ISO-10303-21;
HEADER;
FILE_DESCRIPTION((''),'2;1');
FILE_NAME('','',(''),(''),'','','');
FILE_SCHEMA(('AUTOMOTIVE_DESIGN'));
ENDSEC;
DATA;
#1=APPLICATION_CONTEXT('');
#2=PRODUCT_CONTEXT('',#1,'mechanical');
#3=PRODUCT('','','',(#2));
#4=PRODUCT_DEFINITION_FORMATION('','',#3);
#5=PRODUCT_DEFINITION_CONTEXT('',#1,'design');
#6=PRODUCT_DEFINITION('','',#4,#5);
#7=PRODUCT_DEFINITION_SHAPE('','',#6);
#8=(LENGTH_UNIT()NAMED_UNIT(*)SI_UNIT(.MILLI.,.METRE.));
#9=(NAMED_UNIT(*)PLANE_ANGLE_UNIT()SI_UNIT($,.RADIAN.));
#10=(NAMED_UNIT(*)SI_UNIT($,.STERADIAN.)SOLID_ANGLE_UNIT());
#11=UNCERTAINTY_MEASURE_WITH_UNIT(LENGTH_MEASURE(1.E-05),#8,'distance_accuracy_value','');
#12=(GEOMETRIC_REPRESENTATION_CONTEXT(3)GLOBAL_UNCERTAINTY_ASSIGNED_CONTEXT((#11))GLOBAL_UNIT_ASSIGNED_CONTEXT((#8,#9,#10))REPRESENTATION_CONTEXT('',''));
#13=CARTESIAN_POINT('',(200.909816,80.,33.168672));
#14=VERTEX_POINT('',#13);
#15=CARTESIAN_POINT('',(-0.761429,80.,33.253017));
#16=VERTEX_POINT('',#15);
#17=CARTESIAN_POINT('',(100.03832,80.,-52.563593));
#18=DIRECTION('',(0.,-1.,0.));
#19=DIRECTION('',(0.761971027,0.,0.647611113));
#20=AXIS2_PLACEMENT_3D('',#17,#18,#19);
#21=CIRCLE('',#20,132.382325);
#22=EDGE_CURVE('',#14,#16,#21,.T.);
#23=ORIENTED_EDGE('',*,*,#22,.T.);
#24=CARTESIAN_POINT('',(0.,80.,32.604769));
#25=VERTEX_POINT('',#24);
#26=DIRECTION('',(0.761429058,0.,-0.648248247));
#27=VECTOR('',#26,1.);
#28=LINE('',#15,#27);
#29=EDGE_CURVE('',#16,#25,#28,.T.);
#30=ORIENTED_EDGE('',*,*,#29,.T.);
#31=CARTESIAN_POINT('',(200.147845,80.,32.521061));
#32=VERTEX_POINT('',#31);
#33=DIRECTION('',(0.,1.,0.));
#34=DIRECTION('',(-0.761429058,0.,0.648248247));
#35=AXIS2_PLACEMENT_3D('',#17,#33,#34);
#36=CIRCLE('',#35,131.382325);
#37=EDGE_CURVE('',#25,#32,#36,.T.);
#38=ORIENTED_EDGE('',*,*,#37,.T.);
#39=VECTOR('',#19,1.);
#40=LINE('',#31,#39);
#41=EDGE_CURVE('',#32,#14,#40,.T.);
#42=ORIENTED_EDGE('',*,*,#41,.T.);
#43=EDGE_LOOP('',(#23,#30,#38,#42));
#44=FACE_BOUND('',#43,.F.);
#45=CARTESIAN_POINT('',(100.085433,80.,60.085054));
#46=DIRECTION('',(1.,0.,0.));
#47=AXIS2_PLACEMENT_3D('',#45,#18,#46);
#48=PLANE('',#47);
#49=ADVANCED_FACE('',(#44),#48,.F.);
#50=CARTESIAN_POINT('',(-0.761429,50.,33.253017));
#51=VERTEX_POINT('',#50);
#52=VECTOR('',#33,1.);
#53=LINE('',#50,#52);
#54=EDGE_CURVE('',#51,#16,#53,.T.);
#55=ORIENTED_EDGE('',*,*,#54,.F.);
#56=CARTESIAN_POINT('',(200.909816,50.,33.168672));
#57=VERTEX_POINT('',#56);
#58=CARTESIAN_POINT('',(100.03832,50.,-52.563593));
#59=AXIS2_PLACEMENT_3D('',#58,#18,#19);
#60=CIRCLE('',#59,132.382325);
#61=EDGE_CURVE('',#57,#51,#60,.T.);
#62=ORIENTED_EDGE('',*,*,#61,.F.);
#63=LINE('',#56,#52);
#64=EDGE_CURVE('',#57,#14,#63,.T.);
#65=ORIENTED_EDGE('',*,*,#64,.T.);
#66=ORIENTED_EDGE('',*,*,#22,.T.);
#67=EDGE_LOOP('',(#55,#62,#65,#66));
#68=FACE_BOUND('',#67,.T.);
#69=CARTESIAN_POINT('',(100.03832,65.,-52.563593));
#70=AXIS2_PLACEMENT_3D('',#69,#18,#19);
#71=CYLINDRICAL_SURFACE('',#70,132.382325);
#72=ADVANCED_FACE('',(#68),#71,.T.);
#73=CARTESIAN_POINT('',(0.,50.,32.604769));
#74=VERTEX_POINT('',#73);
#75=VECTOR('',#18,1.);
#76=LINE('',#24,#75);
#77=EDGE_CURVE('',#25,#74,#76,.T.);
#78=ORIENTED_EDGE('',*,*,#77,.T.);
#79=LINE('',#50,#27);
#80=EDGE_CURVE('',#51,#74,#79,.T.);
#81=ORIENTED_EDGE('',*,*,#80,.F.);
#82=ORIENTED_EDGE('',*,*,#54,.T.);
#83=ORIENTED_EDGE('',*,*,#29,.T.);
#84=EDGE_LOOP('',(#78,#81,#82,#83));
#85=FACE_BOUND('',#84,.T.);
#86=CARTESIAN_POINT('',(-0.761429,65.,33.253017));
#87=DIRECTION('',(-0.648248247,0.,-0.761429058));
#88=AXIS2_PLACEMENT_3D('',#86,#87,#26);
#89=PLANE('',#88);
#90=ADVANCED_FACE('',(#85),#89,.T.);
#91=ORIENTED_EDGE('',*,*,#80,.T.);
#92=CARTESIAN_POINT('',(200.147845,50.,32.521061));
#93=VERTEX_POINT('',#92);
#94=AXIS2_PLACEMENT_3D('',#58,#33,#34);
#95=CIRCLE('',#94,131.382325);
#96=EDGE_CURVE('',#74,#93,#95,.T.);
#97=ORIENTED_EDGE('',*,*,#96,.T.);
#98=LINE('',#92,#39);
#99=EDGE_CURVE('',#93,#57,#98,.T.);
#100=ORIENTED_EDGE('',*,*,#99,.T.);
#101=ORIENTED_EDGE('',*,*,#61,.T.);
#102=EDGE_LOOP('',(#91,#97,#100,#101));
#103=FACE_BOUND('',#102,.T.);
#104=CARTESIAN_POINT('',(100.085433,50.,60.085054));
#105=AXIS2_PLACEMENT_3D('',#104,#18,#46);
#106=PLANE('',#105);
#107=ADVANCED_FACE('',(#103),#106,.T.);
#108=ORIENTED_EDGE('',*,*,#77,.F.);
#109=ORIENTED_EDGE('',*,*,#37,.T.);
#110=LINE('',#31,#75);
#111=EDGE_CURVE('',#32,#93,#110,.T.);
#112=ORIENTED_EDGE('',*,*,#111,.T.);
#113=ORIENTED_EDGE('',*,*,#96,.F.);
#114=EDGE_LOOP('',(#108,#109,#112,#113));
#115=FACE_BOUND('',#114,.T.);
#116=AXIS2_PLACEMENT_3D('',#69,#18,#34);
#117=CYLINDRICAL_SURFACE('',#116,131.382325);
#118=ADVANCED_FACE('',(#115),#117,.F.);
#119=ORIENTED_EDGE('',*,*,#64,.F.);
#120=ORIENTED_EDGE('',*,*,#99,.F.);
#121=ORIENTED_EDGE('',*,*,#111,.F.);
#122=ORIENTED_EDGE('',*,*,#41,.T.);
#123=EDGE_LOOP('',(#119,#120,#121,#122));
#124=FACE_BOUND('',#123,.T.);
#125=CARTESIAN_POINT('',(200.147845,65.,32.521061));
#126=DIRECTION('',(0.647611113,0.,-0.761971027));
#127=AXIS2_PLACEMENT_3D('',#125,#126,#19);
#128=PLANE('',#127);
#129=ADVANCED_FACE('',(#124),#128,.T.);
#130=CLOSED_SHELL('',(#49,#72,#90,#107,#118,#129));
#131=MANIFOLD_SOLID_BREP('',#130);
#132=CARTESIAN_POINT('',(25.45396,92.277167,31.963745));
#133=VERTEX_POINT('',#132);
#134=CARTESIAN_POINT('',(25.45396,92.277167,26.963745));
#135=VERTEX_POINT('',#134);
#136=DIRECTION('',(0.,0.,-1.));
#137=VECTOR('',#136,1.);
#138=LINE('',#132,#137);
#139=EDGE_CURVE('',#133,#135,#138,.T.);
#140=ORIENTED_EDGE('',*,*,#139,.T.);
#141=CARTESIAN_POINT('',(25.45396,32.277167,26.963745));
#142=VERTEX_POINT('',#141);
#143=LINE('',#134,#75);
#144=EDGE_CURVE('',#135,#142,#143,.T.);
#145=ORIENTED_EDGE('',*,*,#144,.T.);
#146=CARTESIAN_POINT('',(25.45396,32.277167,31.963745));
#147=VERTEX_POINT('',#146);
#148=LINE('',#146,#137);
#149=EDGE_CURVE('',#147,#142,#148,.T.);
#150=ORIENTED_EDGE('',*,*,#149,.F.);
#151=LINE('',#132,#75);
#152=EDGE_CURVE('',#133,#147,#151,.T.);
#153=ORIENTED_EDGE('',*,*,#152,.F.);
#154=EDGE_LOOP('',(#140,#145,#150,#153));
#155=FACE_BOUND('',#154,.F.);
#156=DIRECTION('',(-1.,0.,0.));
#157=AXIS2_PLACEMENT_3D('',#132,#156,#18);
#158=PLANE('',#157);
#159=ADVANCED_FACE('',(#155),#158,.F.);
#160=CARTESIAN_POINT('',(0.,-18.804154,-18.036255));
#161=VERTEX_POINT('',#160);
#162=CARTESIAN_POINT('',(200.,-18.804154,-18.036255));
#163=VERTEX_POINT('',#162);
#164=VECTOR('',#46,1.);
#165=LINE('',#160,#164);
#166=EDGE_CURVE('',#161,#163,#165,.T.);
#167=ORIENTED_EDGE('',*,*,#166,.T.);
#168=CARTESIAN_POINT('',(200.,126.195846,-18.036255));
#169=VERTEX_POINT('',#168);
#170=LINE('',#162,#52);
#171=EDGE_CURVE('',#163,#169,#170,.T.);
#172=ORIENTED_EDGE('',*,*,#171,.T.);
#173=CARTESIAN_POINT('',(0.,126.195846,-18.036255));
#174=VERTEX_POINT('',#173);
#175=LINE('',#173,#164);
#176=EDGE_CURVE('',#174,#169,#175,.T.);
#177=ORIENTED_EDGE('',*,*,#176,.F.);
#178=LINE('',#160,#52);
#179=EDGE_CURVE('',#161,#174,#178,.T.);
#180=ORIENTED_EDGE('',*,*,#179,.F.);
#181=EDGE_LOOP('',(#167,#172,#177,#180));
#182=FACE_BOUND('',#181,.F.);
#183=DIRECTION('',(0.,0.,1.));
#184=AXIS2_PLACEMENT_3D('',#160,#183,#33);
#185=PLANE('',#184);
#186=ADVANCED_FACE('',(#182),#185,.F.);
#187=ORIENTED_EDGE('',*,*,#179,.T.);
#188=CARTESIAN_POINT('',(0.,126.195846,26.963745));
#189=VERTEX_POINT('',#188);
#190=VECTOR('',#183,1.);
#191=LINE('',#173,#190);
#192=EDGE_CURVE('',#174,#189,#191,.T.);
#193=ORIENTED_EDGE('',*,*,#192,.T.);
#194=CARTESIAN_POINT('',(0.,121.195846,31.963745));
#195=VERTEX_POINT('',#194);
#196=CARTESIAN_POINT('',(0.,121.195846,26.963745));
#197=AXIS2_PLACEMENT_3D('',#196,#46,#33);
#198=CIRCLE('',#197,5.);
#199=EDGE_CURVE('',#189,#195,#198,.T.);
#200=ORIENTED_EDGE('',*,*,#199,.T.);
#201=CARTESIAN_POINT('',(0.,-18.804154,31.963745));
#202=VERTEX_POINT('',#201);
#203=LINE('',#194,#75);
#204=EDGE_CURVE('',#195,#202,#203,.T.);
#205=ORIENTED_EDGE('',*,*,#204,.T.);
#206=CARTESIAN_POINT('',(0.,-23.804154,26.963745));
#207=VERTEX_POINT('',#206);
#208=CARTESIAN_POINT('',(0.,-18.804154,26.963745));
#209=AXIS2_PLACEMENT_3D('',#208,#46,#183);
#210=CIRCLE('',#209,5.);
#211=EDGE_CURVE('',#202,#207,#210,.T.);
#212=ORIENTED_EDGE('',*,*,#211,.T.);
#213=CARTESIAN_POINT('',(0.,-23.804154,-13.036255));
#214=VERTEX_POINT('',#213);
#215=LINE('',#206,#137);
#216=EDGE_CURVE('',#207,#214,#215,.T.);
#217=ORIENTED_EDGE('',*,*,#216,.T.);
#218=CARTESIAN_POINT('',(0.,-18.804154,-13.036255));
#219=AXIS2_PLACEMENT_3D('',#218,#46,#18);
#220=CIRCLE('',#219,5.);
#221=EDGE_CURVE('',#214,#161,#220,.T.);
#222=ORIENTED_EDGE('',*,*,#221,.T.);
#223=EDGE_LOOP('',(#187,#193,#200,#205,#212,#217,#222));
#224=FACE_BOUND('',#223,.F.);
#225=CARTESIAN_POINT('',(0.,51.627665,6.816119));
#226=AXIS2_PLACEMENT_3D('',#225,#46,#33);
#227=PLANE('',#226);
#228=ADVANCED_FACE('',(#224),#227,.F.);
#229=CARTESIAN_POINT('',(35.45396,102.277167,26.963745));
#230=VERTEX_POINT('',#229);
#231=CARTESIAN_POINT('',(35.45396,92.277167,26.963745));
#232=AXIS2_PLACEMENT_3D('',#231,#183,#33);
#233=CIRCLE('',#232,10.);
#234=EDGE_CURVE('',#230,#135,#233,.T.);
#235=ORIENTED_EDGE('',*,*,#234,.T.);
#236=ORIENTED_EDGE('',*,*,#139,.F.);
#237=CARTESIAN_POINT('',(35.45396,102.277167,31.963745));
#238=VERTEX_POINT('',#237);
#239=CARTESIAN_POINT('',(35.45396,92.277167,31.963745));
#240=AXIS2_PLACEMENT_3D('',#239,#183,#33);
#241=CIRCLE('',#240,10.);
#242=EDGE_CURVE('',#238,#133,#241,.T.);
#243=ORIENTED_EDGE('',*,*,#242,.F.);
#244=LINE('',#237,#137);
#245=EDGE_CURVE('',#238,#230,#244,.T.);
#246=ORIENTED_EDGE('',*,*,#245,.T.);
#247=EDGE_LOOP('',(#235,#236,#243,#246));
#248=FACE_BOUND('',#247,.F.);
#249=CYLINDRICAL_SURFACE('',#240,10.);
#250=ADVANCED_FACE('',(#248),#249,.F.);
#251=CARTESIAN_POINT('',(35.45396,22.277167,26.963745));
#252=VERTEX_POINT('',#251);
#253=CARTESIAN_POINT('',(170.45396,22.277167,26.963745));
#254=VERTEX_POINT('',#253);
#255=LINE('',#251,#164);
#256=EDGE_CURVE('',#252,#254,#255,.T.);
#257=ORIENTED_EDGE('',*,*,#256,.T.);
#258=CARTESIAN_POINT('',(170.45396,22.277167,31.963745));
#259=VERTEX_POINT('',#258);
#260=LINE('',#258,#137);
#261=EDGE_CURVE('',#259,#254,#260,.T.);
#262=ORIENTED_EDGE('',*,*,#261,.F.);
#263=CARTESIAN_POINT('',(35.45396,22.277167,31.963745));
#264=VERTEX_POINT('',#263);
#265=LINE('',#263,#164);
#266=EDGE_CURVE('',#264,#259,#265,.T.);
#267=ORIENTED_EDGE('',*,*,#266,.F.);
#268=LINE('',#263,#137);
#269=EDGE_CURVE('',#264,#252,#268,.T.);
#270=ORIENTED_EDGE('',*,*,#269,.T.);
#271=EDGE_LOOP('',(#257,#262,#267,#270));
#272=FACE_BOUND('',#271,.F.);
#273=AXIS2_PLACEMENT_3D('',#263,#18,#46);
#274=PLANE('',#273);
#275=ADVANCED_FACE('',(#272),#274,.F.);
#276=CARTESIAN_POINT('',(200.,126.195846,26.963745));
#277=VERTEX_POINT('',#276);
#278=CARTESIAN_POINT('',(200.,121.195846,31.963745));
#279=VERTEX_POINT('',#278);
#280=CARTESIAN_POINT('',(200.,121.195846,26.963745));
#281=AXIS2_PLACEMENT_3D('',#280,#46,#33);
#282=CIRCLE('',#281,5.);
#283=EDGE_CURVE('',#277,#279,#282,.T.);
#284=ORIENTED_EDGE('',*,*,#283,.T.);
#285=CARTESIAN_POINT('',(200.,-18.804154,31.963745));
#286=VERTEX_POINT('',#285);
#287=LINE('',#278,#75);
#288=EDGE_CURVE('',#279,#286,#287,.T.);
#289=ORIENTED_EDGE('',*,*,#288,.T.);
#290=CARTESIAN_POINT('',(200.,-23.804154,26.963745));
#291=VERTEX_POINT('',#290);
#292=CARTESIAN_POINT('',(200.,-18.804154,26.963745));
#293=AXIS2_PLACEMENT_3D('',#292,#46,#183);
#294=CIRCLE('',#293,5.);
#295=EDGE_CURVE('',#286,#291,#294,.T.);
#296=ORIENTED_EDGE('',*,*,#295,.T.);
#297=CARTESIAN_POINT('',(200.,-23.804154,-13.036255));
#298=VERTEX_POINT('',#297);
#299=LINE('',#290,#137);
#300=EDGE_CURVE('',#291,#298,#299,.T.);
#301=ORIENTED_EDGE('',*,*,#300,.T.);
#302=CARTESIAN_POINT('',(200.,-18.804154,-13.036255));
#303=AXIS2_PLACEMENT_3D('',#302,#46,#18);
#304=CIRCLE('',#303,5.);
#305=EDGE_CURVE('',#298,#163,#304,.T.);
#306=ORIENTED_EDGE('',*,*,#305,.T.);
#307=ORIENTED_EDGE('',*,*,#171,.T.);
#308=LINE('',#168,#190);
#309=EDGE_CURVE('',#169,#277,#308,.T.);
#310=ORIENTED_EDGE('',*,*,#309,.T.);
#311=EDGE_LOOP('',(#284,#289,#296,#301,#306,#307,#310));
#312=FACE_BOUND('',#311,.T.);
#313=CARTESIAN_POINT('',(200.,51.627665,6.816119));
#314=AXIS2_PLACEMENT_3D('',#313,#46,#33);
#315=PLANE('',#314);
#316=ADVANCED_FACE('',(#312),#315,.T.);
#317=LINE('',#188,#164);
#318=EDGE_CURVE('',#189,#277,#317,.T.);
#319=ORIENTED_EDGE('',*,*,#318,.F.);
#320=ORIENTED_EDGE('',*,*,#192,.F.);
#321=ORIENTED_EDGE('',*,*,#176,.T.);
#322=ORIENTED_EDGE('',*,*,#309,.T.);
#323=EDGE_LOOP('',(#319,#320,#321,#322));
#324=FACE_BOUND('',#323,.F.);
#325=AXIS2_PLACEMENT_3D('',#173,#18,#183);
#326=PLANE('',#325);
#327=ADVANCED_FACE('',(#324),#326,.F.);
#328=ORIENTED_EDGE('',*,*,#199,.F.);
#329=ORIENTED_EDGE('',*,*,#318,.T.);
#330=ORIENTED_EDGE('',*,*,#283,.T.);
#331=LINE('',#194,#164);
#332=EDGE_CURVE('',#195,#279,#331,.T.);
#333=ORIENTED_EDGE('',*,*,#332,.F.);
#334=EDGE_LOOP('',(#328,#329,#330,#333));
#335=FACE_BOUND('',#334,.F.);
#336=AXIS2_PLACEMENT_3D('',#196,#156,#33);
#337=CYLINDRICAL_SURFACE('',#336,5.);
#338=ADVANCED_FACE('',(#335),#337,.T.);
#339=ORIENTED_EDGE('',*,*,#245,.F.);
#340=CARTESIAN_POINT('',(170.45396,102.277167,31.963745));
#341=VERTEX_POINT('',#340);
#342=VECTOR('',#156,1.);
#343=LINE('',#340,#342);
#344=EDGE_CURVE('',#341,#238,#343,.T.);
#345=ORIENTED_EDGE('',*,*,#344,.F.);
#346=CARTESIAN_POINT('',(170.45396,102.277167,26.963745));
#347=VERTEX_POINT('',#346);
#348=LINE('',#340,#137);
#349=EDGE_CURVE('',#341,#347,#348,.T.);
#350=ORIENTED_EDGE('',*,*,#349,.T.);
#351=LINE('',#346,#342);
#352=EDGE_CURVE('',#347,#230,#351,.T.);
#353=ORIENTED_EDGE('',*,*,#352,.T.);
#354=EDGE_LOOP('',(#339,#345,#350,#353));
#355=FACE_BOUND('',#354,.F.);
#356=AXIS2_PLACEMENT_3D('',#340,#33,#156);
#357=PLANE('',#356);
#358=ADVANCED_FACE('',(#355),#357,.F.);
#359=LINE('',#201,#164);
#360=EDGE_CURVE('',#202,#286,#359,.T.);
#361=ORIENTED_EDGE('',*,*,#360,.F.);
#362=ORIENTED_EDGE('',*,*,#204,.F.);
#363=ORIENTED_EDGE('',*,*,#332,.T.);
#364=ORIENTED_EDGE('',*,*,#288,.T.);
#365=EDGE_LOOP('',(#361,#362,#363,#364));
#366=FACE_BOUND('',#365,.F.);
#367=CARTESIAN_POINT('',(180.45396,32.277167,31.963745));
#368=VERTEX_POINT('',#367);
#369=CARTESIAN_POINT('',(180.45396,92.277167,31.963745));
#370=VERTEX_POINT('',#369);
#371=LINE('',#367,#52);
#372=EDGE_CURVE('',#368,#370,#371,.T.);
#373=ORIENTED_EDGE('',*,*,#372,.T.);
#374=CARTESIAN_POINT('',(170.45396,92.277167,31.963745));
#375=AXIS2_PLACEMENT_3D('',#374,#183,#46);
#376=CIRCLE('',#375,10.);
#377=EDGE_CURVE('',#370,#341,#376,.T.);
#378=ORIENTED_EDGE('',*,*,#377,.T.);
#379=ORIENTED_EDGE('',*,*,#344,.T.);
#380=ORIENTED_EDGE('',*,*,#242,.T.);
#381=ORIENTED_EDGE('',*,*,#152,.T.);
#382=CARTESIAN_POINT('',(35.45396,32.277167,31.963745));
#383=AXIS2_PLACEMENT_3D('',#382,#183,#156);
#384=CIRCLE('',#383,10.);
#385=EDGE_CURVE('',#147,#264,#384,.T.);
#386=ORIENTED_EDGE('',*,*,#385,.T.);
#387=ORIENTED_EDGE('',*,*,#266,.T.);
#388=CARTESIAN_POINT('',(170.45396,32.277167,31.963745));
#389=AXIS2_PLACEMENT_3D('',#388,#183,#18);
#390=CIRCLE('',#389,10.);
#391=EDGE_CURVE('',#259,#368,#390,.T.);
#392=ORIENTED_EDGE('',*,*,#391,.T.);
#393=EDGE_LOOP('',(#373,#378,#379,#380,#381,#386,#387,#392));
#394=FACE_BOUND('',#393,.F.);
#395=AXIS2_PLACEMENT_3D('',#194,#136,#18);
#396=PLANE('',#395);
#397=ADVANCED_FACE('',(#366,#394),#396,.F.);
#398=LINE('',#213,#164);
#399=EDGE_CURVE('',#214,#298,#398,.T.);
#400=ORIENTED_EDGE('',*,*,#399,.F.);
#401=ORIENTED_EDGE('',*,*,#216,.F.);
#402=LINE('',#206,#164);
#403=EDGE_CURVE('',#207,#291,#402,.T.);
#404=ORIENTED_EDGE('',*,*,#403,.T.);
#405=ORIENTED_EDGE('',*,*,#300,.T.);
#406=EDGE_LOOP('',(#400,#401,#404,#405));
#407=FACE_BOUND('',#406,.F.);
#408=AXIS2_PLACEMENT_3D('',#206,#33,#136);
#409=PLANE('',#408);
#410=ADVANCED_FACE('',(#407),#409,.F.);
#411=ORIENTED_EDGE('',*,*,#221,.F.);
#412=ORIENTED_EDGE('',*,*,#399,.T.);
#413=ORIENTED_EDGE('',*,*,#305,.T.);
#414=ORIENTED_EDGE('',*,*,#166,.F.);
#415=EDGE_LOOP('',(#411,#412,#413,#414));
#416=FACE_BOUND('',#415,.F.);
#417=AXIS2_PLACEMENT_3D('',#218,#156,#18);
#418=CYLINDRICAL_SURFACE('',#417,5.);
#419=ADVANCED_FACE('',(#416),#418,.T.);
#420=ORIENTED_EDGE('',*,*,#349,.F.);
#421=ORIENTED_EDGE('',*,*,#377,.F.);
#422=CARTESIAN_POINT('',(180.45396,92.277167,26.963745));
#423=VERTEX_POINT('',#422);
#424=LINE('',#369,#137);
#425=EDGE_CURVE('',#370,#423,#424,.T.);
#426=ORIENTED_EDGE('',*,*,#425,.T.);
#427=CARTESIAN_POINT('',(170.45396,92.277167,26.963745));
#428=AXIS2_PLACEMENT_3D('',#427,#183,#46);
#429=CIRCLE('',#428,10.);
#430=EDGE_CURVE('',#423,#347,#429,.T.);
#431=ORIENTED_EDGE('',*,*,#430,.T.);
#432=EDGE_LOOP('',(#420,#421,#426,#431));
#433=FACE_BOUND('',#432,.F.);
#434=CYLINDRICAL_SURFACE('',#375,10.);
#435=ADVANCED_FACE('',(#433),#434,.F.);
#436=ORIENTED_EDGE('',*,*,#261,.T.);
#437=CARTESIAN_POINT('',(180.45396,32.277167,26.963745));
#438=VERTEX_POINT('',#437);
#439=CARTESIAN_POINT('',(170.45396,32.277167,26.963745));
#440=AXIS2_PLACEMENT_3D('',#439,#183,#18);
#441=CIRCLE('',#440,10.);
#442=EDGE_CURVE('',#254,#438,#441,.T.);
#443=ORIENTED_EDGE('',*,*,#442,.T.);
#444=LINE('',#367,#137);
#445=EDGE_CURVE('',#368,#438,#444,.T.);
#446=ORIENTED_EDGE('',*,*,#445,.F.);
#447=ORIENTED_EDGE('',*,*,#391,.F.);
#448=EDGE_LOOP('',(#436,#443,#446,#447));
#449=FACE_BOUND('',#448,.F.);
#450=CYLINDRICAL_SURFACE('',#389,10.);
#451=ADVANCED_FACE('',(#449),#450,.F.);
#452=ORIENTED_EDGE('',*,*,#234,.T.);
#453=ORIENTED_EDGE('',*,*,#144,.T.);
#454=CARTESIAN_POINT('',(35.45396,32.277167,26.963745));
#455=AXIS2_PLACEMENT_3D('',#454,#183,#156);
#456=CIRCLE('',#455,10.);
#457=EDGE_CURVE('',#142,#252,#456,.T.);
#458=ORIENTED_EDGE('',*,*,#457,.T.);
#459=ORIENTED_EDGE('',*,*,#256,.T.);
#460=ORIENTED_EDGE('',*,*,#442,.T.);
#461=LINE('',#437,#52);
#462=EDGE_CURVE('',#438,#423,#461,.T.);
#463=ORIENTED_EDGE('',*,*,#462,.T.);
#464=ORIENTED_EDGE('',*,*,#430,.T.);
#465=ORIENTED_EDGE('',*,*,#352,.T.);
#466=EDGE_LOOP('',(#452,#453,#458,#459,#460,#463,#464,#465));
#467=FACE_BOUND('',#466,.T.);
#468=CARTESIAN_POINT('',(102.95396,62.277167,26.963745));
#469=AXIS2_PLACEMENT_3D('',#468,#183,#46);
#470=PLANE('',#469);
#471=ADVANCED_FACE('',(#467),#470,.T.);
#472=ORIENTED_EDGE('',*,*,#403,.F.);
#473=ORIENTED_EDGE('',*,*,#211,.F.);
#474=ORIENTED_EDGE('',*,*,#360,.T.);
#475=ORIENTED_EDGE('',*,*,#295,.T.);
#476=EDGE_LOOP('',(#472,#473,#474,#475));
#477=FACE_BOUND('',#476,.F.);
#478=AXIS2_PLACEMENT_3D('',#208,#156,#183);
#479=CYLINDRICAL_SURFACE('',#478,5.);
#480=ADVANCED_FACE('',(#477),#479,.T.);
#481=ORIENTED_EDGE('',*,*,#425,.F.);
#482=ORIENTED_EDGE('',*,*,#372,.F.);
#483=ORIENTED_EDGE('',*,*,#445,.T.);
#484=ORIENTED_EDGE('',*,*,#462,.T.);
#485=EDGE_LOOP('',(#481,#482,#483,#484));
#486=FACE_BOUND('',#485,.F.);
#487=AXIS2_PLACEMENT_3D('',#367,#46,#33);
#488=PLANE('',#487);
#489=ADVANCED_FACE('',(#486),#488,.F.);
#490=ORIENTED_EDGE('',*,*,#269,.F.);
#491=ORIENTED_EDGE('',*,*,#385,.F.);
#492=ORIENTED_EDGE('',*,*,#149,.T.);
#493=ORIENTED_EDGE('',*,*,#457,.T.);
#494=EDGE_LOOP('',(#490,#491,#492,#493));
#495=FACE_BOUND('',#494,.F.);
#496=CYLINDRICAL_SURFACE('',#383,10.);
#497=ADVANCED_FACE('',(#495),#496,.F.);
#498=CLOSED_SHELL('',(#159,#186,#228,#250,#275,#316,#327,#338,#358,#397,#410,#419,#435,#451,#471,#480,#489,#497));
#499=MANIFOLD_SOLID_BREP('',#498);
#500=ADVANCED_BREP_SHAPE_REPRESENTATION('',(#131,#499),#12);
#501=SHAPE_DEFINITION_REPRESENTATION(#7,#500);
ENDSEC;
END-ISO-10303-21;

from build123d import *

# Parameters (mm, degrees)
F1_DEPTH = 200
F3_DEPTH = 5
F6_DEPTH = 15


with BuildPart() as f1:
    # F0 (on Right) → F1 (new body)
    with BuildSketch(Plane.YZ):
        with BuildLine():
            ThreePointArc((-23.8041541259, -13.0362552404), (-22.3396880318, -16.5717891464), (-18.8041541259, -18.0362552404))
            Line((-18.8041541259, -18.0362552404), (126.1958458741, -18.0362552404))
            Line((126.1958458741, -18.0362552404), (126.1958458741, 26.9637447596))
            ThreePointArc((126.1958458741, 26.9637447596), (124.7313797801, 30.4992786655), (121.1958458741, 31.9637447596))
            Line((121.1958458741, 31.9637447596), (-18.8041541259, 31.9637447596))
            ThreePointArc((-18.8041541259, 31.9637447596), (-22.3396880318, 30.4992786655), (-23.8041541259, 26.9637447596))
            Line((-23.8041541259, 26.9637447596), (-23.8041541259, -13.0362552404))
        make_face()
    extrude(amount=F1_DEPTH)

    # F2 (on face) → F3 (cut)
    with BuildSketch(Plane.XY.offset(31.9637447596)):
        with BuildLine():
            ThreePointArc((25.4539602995, 32.2771672672), (28.3828924876, 25.2060994554), (35.4539602995, 22.2771672672))
            Line((35.4539602995, 22.2771672672), (170.4539602995, 22.2771672672))
            ThreePointArc((170.4539602995, 22.2771672672), (177.5250281114, 25.2060994554), (180.4539602995, 32.2771672672))
            Line((180.4539602995, 32.2771672672), (180.4539602995, 92.2771672672))
            ThreePointArc((180.4539602995, 92.2771672672), (177.5250281114, 99.3482350791), (170.4539602995, 102.2771672672))
            Line((170.4539602995, 102.2771672672), (35.4539602995, 102.2771672672))
            ThreePointArc((35.4539602995, 102.2771672672), (28.3828924876, 99.3482350791), (25.4539602995, 92.2771672672))
            Line((25.4539602995, 92.2771672672), (25.4539602995, 32.2771672672))
        make_face()
    extrude(amount=-F3_DEPTH, mode=Mode.SUBTRACT)


with BuildPart() as f6:
    # F5 (on offset) → F6 (new body, symmetric)
    with BuildSketch(Plane.XZ.offset(-65)):
        with BuildLine():
            Line((-0.7614290583, 33.2530171188), (0, 32.6047688723))
            ThreePointArc((0, 32.6047688723), (100.0932679903, 78.8187204886), (200.1478447514, 32.5210608269))
            Line((200.1478447514, 32.5210608269), (200.9098157783, 33.1686719403))
            ThreePointArc((200.9098157783, 33.1686719403), (100.0936862213, 79.8187204011), (-0.7614290583, 33.2530171188))
        make_face()
    extrude(amount=F6_DEPTH, both=True)


solid = Compound([f1.part, f6.part])
